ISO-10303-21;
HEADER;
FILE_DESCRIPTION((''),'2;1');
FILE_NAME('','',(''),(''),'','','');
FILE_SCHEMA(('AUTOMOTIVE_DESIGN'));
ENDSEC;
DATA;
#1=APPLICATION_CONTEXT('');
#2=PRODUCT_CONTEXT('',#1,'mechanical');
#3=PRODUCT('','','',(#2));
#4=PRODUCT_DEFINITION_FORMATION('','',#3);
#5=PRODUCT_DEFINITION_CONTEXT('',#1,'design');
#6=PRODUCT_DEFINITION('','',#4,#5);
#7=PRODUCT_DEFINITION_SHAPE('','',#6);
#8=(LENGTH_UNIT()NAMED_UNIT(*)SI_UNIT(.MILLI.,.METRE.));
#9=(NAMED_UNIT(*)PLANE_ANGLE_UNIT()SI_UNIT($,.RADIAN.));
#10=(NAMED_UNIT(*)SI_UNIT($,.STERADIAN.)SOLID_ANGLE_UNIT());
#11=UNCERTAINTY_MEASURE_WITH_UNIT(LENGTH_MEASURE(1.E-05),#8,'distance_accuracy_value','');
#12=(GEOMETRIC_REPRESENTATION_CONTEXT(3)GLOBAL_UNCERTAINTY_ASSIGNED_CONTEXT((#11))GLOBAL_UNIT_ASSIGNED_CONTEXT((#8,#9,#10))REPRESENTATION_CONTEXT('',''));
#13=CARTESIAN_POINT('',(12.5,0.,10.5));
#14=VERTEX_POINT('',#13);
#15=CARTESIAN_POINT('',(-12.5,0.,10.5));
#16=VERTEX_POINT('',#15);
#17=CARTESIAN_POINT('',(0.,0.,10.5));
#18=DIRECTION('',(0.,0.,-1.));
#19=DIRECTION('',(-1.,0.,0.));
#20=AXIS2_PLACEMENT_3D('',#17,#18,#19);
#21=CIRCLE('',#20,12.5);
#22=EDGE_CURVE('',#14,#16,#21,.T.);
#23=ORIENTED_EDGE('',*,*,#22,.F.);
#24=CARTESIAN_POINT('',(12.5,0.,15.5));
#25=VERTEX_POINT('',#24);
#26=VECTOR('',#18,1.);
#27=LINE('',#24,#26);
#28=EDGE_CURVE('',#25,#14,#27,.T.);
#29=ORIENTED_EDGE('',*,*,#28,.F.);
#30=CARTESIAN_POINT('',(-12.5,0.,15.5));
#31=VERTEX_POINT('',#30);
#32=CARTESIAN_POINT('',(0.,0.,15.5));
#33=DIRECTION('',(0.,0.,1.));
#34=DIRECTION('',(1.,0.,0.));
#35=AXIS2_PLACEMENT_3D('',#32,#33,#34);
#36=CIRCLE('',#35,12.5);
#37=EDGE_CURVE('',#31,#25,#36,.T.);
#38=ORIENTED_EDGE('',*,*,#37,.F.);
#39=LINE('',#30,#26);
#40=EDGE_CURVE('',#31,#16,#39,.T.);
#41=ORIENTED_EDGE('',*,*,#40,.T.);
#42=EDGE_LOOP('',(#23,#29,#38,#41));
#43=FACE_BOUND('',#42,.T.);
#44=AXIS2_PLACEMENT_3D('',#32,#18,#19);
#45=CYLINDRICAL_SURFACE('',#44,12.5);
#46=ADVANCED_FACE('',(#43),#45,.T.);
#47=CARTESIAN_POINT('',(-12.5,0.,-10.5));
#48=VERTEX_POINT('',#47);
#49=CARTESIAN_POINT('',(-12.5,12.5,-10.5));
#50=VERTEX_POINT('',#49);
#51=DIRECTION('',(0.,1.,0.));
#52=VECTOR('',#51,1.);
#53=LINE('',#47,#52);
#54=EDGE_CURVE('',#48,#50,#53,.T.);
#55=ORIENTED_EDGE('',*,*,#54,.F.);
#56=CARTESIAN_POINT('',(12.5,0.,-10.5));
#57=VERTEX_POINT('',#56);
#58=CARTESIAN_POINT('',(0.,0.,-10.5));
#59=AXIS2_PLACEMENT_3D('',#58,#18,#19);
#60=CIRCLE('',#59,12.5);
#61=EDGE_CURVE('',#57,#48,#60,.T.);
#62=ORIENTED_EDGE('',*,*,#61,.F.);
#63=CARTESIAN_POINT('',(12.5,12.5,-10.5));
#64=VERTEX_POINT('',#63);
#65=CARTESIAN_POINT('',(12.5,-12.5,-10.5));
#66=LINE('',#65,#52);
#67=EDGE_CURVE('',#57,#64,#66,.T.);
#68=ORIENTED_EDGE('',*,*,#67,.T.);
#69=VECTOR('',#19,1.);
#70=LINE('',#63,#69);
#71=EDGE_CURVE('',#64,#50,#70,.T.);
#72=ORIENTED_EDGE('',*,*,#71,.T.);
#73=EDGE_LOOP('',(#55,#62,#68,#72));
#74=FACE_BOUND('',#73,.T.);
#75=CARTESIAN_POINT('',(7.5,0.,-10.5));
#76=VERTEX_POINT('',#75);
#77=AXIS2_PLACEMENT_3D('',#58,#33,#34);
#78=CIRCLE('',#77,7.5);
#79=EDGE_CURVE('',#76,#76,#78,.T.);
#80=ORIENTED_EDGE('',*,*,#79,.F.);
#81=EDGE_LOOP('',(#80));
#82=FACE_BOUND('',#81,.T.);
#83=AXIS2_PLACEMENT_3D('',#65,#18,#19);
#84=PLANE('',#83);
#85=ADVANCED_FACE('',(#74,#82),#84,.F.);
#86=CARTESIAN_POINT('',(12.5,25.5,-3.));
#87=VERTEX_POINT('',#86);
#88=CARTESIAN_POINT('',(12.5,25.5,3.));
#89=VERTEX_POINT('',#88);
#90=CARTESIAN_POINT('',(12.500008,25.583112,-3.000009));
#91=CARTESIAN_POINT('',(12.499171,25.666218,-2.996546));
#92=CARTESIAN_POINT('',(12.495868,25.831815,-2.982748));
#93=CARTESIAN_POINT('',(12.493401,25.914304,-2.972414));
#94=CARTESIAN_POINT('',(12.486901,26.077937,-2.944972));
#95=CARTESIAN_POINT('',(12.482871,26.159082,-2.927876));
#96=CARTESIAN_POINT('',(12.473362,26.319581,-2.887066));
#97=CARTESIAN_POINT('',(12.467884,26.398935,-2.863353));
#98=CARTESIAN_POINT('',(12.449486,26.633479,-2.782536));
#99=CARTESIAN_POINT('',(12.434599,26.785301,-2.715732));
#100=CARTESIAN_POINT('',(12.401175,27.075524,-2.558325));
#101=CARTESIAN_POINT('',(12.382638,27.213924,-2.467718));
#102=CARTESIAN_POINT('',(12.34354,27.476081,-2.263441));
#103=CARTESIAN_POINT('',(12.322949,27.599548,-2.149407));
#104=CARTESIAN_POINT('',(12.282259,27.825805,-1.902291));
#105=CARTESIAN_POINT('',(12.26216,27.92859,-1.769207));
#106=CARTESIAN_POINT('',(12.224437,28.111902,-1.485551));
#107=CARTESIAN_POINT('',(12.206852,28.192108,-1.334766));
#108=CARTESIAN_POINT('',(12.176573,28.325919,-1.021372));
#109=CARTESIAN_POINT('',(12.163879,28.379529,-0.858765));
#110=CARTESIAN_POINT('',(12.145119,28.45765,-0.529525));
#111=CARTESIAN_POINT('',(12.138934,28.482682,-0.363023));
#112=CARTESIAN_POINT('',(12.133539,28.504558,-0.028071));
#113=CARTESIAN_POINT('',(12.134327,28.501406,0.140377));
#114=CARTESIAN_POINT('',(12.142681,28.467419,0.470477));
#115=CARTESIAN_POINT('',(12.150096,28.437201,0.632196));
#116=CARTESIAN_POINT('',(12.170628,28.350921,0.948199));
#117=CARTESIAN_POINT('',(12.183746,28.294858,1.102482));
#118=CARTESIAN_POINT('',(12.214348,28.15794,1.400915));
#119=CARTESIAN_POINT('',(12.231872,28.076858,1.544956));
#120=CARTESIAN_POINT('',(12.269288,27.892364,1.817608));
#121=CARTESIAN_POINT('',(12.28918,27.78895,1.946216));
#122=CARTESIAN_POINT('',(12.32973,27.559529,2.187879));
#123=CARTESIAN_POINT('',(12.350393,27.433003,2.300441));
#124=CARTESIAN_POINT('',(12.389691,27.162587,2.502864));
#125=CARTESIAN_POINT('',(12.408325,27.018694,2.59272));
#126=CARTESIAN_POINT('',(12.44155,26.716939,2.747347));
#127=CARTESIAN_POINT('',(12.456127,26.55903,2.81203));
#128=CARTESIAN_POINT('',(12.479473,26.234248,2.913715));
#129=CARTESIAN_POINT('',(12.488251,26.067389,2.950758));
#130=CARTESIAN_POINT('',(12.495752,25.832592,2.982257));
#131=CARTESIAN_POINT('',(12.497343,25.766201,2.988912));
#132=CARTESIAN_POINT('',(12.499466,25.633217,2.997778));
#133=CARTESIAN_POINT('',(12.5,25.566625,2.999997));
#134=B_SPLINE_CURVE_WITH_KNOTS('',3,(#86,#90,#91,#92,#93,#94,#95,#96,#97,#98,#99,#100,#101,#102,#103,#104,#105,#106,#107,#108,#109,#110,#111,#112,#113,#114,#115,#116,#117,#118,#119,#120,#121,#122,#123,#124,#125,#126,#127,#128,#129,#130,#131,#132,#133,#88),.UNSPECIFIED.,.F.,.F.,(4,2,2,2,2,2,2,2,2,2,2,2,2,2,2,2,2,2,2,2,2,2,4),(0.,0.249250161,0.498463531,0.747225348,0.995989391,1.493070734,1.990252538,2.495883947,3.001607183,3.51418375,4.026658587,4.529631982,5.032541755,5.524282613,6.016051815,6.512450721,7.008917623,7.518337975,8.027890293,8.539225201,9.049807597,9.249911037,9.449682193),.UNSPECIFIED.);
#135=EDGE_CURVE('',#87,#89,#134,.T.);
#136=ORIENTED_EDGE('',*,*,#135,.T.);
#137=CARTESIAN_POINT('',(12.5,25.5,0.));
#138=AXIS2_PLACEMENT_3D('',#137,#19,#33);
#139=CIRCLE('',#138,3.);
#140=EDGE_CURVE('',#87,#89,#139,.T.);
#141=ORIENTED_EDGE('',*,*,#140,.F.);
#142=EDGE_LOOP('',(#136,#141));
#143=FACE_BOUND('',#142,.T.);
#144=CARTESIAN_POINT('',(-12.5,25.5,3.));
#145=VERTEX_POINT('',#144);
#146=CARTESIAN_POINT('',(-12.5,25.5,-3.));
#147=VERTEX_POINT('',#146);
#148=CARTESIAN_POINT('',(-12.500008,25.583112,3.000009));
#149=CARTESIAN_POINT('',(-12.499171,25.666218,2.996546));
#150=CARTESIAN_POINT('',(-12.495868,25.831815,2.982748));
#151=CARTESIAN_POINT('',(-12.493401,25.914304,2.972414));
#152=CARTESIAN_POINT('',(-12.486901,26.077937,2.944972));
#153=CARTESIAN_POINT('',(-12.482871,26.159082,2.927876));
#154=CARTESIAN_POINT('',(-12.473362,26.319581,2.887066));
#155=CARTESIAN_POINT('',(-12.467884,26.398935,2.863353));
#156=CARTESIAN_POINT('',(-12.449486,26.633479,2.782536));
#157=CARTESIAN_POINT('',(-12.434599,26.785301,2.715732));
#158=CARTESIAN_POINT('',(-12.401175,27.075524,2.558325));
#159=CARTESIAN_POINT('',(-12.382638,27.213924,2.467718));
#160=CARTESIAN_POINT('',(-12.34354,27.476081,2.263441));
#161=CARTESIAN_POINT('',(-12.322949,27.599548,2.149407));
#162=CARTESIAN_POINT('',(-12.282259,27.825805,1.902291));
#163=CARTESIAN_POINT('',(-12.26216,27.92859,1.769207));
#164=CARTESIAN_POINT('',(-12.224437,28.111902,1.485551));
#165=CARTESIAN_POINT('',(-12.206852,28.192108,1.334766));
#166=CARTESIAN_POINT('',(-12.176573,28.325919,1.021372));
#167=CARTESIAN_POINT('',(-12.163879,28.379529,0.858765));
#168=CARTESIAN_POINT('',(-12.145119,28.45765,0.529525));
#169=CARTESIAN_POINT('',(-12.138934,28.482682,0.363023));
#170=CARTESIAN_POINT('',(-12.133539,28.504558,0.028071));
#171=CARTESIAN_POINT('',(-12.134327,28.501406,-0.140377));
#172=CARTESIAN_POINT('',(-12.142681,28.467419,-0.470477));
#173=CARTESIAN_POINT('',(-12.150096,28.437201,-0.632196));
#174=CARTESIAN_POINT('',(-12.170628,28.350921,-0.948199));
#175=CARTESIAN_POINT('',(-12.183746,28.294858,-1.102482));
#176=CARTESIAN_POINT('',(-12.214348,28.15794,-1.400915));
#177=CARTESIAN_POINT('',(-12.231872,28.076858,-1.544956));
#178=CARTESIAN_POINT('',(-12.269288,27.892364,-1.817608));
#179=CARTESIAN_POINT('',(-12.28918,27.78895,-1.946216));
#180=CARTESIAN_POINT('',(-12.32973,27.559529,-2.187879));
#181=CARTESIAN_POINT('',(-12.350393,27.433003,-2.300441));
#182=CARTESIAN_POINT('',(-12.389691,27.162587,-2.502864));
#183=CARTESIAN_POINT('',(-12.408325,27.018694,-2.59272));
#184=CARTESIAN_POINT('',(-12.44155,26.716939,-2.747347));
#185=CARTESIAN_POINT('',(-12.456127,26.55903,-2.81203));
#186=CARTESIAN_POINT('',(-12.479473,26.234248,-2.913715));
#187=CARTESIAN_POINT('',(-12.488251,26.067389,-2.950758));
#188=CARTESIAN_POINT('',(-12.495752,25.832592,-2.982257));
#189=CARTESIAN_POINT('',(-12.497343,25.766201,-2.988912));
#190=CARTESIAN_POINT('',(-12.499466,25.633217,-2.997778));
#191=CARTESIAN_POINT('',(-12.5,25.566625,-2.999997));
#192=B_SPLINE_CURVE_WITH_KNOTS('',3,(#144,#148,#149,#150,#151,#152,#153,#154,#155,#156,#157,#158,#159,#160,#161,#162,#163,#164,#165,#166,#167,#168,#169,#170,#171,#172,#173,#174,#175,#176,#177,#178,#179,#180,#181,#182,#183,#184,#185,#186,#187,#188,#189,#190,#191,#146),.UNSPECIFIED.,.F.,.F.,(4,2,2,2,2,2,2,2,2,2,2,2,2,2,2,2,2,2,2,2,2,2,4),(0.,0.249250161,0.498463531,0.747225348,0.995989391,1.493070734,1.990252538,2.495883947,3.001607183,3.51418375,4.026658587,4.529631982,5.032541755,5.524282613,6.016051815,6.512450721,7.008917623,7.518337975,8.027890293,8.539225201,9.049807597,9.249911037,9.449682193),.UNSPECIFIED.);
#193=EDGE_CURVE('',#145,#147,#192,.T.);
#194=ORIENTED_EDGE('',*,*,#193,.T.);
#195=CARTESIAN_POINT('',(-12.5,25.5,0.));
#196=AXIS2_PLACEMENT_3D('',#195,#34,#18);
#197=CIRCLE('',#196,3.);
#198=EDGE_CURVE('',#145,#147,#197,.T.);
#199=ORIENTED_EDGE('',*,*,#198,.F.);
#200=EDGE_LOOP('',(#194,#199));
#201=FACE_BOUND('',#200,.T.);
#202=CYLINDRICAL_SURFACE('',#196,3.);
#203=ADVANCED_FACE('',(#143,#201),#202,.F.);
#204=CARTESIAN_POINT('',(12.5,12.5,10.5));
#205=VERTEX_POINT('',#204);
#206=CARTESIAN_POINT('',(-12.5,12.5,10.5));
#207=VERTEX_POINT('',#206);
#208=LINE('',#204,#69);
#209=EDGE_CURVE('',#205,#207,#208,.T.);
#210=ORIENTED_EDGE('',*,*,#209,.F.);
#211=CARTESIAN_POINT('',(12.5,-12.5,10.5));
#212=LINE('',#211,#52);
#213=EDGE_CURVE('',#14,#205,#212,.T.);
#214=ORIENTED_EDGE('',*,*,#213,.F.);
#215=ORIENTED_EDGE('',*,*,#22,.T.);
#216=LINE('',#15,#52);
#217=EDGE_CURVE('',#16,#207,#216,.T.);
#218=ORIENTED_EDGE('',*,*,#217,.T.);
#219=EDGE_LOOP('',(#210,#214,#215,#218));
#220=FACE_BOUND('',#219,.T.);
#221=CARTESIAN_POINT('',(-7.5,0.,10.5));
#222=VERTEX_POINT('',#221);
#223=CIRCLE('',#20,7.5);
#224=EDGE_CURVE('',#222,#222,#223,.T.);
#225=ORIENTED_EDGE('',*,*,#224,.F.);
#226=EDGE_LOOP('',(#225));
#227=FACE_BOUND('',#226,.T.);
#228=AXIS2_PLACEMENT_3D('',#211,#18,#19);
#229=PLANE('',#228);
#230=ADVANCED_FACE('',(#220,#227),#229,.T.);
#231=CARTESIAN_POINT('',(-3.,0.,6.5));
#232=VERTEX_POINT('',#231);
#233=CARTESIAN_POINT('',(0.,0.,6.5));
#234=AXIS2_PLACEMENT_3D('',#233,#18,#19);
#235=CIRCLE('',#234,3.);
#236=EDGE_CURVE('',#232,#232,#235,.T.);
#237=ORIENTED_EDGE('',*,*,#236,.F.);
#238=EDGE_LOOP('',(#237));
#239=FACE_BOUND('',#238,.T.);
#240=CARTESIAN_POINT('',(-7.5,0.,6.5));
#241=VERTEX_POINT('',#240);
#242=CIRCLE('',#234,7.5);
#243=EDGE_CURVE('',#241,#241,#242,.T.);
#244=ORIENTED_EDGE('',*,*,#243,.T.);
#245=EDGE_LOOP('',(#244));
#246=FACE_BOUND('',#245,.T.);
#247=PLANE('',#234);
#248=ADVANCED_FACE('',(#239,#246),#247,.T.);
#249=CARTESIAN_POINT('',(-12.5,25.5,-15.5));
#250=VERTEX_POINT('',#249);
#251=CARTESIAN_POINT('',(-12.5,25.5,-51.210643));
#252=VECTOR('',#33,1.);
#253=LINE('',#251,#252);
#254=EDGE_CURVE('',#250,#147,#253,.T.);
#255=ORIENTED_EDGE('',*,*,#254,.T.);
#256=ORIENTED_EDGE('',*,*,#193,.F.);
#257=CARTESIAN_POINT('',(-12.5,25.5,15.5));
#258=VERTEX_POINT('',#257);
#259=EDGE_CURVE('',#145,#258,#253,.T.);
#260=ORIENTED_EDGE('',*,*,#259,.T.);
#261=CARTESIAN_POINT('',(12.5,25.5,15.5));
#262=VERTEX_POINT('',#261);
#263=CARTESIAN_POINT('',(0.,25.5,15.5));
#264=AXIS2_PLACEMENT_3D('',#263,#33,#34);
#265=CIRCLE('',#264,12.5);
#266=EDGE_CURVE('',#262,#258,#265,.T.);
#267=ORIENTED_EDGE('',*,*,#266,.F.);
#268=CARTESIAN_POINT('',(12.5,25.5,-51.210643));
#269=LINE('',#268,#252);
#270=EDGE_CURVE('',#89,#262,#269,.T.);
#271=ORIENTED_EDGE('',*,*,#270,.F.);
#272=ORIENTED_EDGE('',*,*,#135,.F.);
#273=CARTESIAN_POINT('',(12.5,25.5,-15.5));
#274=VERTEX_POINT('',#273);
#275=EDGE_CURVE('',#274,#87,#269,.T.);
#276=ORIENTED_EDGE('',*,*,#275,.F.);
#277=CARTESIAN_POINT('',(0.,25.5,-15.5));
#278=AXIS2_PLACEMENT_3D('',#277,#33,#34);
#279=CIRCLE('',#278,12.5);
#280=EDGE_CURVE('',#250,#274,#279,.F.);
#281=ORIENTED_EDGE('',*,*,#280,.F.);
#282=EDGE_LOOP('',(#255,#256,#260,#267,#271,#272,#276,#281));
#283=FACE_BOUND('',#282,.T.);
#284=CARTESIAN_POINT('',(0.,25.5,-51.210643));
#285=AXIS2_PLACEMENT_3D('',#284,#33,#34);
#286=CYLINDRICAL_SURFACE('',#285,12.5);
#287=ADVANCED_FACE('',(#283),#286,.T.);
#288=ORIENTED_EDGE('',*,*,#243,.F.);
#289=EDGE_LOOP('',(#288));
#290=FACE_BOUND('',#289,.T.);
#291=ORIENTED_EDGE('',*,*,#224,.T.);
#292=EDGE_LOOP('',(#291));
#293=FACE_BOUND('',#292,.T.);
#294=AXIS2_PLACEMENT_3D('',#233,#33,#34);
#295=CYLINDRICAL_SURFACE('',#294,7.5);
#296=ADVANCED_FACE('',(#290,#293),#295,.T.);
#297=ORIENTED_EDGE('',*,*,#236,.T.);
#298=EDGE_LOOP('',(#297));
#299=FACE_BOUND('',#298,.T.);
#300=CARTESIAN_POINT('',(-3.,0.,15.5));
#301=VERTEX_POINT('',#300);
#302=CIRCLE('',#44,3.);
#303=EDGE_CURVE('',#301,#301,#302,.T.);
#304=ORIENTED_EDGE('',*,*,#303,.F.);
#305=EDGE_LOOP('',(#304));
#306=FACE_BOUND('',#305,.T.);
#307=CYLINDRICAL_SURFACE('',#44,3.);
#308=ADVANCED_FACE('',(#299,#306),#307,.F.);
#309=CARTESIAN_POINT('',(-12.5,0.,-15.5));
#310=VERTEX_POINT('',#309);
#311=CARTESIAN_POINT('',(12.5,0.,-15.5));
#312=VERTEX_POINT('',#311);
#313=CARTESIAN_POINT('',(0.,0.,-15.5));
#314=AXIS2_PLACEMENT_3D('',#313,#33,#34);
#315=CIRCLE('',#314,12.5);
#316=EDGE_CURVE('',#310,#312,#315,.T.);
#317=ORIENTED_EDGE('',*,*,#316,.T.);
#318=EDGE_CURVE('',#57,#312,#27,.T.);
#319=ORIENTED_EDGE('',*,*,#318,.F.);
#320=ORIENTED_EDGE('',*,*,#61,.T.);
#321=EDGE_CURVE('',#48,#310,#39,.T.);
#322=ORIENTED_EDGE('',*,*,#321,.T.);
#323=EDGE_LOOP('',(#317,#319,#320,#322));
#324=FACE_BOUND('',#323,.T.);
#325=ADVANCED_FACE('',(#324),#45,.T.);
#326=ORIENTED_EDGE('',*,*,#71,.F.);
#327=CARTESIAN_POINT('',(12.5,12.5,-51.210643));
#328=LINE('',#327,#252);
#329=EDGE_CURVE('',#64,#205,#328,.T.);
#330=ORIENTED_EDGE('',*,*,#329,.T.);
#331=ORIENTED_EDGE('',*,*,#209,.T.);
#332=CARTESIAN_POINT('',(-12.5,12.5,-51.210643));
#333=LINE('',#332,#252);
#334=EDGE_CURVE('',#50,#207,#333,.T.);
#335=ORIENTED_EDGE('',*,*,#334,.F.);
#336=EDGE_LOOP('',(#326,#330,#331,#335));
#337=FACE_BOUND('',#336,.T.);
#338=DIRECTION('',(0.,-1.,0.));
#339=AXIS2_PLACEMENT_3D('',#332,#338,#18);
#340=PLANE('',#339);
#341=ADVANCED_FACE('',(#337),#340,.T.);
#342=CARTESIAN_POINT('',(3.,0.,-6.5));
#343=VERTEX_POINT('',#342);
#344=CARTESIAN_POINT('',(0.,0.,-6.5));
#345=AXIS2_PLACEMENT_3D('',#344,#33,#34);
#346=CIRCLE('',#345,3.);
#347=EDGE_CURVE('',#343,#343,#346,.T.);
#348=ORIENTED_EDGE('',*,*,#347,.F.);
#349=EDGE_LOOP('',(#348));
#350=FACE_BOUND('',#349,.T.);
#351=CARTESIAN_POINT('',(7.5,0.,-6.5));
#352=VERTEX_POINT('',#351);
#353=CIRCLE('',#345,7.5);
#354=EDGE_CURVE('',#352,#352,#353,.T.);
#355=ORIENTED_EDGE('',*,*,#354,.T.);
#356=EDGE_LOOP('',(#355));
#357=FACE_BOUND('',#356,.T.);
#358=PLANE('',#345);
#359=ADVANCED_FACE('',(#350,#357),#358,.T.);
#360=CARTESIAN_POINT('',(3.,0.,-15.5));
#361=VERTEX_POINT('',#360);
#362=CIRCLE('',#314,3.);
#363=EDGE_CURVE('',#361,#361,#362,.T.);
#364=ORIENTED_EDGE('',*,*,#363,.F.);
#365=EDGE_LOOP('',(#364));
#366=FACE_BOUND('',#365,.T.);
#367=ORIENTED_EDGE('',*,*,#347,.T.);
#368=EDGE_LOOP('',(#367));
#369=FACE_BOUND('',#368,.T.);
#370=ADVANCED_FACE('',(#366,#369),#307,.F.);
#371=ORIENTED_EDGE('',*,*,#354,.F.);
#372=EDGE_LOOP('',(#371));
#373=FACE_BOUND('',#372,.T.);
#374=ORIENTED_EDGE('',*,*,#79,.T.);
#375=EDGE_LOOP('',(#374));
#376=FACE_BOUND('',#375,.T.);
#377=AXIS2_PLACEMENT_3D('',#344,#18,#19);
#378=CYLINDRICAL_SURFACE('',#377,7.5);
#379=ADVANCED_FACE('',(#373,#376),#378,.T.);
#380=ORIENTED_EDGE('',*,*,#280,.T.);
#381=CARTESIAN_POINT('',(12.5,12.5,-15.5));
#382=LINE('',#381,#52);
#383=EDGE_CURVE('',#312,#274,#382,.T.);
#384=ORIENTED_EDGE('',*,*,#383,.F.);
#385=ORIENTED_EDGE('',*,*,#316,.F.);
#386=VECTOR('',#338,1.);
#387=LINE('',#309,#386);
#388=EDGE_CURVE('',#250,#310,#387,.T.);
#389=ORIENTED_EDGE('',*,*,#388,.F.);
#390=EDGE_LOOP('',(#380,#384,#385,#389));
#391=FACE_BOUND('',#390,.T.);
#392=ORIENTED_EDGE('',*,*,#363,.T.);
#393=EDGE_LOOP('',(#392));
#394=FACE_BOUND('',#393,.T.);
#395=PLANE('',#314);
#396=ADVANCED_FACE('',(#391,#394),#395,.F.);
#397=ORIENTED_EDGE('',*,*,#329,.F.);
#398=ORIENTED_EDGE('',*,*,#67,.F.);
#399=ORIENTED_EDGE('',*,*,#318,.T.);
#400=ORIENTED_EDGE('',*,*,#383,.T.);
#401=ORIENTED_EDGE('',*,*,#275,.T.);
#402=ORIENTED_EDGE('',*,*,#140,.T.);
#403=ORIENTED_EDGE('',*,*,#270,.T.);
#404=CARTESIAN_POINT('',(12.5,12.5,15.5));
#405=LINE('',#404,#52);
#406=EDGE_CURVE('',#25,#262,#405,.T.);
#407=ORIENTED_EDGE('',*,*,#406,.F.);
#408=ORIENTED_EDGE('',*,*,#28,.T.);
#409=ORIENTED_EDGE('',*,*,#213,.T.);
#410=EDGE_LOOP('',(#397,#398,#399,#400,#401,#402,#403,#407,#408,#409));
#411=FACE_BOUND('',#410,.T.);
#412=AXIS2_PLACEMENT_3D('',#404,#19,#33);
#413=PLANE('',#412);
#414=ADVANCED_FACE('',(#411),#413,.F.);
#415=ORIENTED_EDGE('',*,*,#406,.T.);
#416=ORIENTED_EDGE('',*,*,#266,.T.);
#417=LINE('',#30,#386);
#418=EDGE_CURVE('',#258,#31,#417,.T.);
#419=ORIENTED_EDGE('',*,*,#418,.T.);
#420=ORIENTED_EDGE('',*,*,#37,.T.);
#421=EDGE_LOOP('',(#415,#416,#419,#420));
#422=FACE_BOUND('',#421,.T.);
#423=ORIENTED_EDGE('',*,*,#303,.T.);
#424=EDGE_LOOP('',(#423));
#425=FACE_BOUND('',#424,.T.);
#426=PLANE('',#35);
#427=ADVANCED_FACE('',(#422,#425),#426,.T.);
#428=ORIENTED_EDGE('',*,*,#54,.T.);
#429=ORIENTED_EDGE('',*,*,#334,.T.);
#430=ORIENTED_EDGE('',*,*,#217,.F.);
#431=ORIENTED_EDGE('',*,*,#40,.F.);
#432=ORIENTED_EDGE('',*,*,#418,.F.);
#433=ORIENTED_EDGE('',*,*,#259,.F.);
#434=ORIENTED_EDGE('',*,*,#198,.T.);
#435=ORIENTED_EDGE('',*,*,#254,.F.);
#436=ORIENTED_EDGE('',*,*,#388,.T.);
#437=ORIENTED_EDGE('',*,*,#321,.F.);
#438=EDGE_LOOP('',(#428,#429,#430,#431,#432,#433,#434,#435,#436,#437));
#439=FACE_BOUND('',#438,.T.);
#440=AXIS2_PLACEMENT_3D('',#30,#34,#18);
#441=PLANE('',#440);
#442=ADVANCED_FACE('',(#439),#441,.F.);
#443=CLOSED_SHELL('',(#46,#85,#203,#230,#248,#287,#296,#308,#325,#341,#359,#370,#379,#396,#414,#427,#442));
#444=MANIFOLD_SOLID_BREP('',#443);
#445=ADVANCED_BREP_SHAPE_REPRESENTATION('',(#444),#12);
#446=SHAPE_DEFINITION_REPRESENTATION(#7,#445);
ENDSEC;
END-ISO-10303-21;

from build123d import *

# Parameters (mm, degrees)
BOSS_EXTRUDE2_DEPTH     = 15.5
CUT_EXTRUDE1_DEPTH      = 24.510635891
CUT_EXTRUDE1_DEPTH_BACK = 24.510635891
SKETCH5_W               = 25
SKETCH5_H               = 21
SKETCH6_R               = 7.5
BOSS_EXTRUDE3_DEPTH     = 4
SKETCH7_R               = 7.5
BOSS_EXTRUDE4_DEPTH     = 4
CUT_EXTRUDE2_DEPTH      = 36.68613176
CUT_EXTRUDE2_DEPTH_BACK = 36.68613176
SKETCH8_R               = 3
BOSS_EXTRUDE6_DEPTH     = 31
CUT_EXTRUDE3_DEPTH      = 49.054656382
CUT_EXTRUDE3_DEPTH_BACK = 49.054656382
SKETCH11_R              = 3


with BuildPart() as part:
    # Sketch1 → Boss-Extrude2 (new, symmetric)
    with BuildSketch(Plane.XY):
        with BuildLine():
            Line((-12.5, 0), (-12.5, 12.5))
            Line((-12.5, 12.5), (12.5, 12.5))
            Line((12.5, 12.5), (12.5, 0))
            ThreePointArc((12.5, 0), (0, -12.5), (-12.5, 0))
        make_face()
    extrude(amount=BOSS_EXTRUDE2_DEPTH, both=True)

    # Sketch5 → Cut-Extrude1 (cut, two sides: drawn at the far end of the back side and taken through both)
    with BuildSketch(Plane(origin=(0, 0, 0), x_dir=(1, 0, 0), z_dir=(0, 1, 0)).offset(-CUT_EXTRUDE1_DEPTH_BACK)):
        Rectangle(SKETCH5_W, SKETCH5_H)
    extrude(amount=CUT_EXTRUDE1_DEPTH + CUT_EXTRUDE1_DEPTH_BACK, mode=Mode.SUBTRACT)


with BuildPart() as cut_extrude1_piece_1:
    # of the separate pieces the step leaves, piece 1, a body of its own (cut_extrude1_pieces)
    add(part.part.solids().sort_by_distance((-12.5, 0, -15.5))[0])

    # Sketch6 → Boss-Extrude3 (add)
    with BuildSketch(Plane.XY.offset(-10.5)):
        Circle(SKETCH6_R)
    extrude(amount=BOSS_EXTRUDE3_DEPTH)


with BuildPart() as cut_extrude1_piece_2:
    # of the separate pieces the step leaves, piece 2, a body of its own (cut_extrude1_pieces)
    add(part.part.solids().sort_by_distance((-12.5, 0, 10.5))[0])

    # Sketch7 → Boss-Extrude4 (add)
    with BuildSketch(Plane(origin=(0, 0, 10.5), x_dir=(-1, 0, 0), z_dir=(0, 0, -1))):
        Circle(SKETCH7_R)
    extrude(amount=BOSS_EXTRUDE4_DEPTH)


with BuildPart() as cut_extrude2_tool:
    # Sketch8 → Cut-Extrude2 (new, two sides: drawn at the far end of the back side and taken through both)
    with BuildSketch(Plane(origin=(0, 0, -15.5), x_dir=(-1, 0, 0), z_dir=(0, 0, -1)).offset(-CUT_EXTRUDE2_DEPTH_BACK)):
        Circle(SKETCH8_R)
    extrude(amount=CUT_EXTRUDE2_DEPTH + CUT_EXTRUDE2_DEPTH_BACK)


with BuildPart() as cut_extrude1_piece_1_1:
    add(cut_extrude1_piece_1.part)

    # Cut-Extrude2: cut by cut_extrude2_tool
    add(cut_extrude2_tool.part, mode=Mode.SUBTRACT)


with BuildPart() as cut_extrude1_piece_2_1:
    add(cut_extrude1_piece_2.part)

    # Cut-Extrude2: cut by cut_extrude2_tool
    add(cut_extrude2_tool.part, mode=Mode.SUBTRACT)

    # Sketch9 → Boss-Extrude6 (add)
    with BuildSketch(Plane.XY.offset(15.5)):
        with BuildLine():
            Line((12.5, 12.5), (12.5, 25.5))
            ThreePointArc((12.5, 25.5), (0, 38), (-12.5, 25.5))
            Line((-12.5, 25.5), (-12.5, 12.5))
            Line((-12.5, 12.5), (12.5, 12.5))
        make_face()
    extrude(amount=-BOSS_EXTRUDE6_DEPTH)

    # Sketch11 → Cut-Extrude3 (cut, two sides: drawn at the far end of the back side and taken through both)
    with BuildSketch(Plane(origin=(12.5, 0, 0), x_dir=(0, 0, -1), z_dir=(1, 0, 0)).offset(-CUT_EXTRUDE3_DEPTH_BACK)):
        with Locations((0, 25.5)):
            Circle(SKETCH11_R)
    extrude(amount=CUT_EXTRUDE3_DEPTH + CUT_EXTRUDE3_DEPTH_BACK, mode=Mode.SUBTRACT)


with BuildPart() as cut_extrude1_piece_1_2:
    add(cut_extrude1_piece_1_1.part)

    # Combine1: union Cut-Extrude1 piece 2
    add(cut_extrude1_piece_2_1.part)


solid = cut_extrude1_piece_1_2.part
